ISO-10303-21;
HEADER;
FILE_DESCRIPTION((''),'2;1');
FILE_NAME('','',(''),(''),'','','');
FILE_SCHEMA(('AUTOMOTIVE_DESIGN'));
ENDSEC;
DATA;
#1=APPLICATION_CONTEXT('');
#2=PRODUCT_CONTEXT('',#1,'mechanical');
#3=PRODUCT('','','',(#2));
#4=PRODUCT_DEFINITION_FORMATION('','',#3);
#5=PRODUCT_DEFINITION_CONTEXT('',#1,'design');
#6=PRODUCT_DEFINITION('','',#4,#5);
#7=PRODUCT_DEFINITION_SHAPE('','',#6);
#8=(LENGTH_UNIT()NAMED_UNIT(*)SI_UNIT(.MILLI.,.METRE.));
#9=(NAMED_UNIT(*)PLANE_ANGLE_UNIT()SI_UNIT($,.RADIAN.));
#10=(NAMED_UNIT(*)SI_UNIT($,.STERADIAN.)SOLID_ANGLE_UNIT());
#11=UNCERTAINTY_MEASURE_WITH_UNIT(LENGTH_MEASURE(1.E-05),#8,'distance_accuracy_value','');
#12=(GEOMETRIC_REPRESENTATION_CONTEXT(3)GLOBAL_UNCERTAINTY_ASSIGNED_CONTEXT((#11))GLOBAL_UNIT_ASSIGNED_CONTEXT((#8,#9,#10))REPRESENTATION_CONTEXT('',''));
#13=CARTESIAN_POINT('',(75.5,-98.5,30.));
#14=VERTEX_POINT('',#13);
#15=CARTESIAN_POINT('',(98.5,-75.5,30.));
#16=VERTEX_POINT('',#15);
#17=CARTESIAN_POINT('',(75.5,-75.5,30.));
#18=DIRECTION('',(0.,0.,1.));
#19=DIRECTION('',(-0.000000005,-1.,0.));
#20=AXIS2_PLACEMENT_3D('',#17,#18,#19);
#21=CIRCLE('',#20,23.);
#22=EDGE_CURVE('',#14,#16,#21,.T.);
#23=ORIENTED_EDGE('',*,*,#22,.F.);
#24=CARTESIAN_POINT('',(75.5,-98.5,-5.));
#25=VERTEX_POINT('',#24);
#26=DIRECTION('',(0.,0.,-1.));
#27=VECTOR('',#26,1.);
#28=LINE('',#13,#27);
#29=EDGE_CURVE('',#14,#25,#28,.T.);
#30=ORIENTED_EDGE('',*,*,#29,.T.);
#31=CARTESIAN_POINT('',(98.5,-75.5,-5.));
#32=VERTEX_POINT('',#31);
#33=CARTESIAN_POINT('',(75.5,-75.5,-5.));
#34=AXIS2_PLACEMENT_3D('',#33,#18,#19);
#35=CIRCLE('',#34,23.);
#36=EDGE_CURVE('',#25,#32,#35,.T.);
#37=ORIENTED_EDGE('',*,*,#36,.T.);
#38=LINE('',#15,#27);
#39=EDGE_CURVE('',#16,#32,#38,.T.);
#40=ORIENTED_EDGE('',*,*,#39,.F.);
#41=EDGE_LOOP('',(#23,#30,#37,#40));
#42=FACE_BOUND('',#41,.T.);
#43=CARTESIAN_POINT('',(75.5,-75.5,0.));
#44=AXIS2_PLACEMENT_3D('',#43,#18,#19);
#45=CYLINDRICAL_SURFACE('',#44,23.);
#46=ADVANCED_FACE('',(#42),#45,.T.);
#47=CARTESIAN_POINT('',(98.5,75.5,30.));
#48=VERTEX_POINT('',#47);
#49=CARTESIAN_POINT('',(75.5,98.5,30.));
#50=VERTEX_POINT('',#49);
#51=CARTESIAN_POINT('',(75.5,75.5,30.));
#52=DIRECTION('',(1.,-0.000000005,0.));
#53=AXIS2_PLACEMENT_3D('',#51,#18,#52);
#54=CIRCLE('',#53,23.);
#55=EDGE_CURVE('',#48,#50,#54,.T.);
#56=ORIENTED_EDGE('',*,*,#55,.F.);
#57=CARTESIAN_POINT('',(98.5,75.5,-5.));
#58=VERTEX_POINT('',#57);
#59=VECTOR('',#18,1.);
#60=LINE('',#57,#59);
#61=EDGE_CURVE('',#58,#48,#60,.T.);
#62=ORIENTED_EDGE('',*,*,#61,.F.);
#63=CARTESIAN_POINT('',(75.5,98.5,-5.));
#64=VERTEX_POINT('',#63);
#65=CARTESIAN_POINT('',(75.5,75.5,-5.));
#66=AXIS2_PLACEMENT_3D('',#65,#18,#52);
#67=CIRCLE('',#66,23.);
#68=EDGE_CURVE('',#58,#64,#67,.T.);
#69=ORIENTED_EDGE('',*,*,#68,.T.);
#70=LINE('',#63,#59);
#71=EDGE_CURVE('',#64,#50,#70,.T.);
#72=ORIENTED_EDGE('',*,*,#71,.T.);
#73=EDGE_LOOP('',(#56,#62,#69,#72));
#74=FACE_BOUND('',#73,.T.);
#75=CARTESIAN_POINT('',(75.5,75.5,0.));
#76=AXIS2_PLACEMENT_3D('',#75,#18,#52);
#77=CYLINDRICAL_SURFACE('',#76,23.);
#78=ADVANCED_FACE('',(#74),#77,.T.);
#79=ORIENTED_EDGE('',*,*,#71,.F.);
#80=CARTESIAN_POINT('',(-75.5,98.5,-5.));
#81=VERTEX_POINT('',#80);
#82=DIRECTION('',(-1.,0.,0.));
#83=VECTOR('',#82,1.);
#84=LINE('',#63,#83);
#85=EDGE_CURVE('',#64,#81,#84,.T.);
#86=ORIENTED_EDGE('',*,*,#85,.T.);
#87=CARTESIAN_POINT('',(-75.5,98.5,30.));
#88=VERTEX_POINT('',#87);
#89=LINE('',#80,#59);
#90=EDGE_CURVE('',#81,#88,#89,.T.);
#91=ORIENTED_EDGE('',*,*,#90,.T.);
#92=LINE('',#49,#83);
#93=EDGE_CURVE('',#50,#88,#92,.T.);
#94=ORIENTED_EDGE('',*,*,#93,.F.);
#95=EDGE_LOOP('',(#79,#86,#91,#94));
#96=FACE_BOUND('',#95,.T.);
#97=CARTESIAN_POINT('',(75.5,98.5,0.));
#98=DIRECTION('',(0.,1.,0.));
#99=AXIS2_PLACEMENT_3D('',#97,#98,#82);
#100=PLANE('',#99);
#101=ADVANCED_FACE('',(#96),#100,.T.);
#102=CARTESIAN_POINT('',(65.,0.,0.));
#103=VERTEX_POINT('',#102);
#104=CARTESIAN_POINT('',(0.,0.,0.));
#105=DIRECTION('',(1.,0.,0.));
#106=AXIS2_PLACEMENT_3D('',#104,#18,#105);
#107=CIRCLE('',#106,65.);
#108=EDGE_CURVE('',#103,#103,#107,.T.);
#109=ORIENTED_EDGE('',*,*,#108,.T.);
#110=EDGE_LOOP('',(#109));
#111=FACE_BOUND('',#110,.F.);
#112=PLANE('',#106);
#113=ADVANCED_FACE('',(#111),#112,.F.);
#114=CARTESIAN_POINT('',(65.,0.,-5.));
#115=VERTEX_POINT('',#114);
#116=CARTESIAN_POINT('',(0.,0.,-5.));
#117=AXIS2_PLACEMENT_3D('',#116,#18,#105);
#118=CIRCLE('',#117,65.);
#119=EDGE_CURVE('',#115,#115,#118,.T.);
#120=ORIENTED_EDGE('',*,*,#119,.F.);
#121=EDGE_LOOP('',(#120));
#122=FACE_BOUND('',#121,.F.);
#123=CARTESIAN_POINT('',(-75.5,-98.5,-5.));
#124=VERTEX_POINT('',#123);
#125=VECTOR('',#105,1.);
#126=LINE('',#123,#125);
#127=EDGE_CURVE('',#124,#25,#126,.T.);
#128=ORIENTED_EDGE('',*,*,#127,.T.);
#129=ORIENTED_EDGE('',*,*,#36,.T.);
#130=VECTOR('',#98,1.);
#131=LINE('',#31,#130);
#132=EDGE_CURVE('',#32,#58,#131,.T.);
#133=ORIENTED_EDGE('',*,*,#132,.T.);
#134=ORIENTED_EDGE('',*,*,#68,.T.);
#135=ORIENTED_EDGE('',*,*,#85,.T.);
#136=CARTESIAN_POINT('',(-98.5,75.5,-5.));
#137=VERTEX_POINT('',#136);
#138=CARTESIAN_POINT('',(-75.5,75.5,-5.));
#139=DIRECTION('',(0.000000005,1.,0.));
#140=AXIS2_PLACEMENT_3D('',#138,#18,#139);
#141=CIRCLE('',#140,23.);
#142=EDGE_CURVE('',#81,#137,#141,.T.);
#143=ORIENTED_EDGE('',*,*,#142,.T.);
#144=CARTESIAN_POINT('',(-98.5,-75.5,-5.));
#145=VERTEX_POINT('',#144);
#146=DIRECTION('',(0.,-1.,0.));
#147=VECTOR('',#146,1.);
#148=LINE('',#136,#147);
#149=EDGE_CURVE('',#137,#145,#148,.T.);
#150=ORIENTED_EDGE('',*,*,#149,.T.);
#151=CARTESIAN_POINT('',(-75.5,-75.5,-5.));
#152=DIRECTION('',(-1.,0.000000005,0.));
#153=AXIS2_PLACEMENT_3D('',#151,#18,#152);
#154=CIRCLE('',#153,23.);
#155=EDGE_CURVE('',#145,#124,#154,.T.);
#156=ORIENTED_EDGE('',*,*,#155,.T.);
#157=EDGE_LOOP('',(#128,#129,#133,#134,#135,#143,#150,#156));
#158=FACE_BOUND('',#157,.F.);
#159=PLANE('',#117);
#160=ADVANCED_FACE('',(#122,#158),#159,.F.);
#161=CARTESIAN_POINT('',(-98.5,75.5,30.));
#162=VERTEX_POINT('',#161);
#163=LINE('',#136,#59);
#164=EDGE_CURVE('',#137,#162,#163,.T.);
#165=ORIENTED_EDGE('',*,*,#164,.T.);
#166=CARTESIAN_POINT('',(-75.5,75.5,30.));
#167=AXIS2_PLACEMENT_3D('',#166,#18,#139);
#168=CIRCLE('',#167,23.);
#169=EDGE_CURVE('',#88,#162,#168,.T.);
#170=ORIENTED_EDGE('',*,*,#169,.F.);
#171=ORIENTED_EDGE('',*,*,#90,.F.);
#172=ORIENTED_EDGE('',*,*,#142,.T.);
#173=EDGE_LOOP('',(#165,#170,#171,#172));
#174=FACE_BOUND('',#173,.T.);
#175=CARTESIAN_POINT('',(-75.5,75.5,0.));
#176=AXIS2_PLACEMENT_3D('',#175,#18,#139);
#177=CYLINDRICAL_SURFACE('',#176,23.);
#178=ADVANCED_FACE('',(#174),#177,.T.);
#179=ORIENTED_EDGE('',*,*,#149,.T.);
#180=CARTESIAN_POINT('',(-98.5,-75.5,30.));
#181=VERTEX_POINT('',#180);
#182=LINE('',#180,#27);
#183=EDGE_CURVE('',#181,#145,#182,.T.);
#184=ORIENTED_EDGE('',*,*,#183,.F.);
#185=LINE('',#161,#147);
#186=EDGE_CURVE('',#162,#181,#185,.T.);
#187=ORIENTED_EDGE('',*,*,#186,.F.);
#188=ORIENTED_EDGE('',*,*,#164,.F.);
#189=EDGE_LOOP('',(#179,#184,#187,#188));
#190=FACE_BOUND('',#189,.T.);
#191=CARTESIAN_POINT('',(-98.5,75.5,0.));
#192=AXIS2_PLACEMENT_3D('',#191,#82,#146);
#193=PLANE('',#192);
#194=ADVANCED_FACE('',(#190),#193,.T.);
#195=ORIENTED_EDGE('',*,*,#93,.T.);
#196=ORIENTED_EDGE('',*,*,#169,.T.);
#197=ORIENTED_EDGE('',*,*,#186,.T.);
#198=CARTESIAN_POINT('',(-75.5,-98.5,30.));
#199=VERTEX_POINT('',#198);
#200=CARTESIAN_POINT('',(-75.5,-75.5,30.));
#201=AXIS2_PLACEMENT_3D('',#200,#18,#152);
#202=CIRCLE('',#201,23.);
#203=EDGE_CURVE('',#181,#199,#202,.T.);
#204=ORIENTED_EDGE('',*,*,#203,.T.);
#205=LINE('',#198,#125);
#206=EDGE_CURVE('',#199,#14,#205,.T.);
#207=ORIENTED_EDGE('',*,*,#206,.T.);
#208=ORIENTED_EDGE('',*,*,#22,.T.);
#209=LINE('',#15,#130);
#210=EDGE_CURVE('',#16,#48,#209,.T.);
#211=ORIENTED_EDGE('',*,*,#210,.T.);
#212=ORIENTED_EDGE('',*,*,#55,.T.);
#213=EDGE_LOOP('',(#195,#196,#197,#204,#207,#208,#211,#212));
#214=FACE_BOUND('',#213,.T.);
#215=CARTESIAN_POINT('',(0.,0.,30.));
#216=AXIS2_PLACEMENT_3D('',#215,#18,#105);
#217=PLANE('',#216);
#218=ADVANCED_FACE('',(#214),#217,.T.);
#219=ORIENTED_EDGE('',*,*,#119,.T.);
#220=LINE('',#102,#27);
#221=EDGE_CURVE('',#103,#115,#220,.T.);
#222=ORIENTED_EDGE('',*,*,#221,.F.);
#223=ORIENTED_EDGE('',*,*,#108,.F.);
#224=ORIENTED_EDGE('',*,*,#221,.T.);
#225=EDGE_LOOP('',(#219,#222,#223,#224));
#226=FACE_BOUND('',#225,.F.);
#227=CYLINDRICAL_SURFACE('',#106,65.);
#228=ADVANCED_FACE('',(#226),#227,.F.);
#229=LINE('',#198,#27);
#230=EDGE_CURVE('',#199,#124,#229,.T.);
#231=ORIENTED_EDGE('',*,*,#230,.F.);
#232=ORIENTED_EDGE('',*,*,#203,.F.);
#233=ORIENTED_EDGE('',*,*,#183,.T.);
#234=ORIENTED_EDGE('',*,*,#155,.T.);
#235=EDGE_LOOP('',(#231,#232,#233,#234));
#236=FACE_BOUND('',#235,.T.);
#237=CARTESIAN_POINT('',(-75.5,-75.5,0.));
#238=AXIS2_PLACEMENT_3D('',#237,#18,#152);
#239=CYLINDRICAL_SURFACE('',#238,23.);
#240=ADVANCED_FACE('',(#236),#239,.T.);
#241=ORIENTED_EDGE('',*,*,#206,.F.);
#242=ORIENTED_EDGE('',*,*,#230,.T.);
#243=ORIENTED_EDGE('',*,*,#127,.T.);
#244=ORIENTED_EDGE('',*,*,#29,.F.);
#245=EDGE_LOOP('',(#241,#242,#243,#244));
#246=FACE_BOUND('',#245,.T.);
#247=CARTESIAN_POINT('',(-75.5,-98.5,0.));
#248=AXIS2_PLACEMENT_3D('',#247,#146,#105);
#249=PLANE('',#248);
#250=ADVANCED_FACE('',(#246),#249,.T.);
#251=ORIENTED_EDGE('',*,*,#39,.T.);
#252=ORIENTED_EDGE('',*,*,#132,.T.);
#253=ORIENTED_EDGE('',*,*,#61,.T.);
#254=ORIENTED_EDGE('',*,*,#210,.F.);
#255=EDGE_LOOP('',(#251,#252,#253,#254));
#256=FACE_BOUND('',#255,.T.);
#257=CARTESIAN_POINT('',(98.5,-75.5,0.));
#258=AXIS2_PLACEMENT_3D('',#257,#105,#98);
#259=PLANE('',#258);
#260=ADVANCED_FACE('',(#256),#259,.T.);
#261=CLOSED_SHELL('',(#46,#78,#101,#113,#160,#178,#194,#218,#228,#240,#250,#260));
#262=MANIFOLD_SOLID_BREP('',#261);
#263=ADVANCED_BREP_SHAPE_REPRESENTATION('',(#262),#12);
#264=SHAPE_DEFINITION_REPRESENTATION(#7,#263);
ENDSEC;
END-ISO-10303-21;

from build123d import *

# Parameters (mm, degrees)
F1_DEPTH = 30
F2_R     = 75
F2_R_2   = 65
F3_DEPTH = 5


with BuildPart() as f1:
    # F0 (on Top) → F1 (new body)
    with BuildSketch(Plane.XY):
        with BuildLine():
            ThreePointArc((98.5, 75.5), (91.763456, 91.763456), (75.5, 98.5))
            Line((75.5, 98.5), (-75.5, 98.5))
            ThreePointArc((-75.5, 98.5), (-91.763456, 91.763456), (-98.5, 75.5))
            Line((-98.5, 75.5), (-98.5, -75.5))
            ThreePointArc((-98.5, -75.5), (-91.763456, -91.763456), (-75.5, -98.5))
            Line((-75.5, -98.5), (75.5, -98.5))
            ThreePointArc((75.5, -98.5), (91.763456, -91.763456), (98.5, -75.5))
            Line((98.5, -75.5), (98.5, 75.5))
        make_face()
    extrude(amount=F1_DEPTH)

    # F2 (on face) → F3 (join)
    with BuildSketch(Plane.XY):
        with BuildLine():
            Line((98.5, -75.5), (98.5, 75.5))
            ThreePointArc((98.5, 75.5), (91.763456, 91.763456), (75.5, 98.5))
            Line((75.5, 98.5), (-75.5, 98.5))
            ThreePointArc((-75.5, 98.5), (-91.763456, 91.763456), (-98.5, 75.5))
            Line((-98.5, 75.5), (-98.5, -75.5))
            ThreePointArc((-98.5, -75.5), (-91.763456, -91.763456), (-75.5, -98.5))
            Line((-75.5, -98.5), (75.5, -98.5))
            ThreePointArc((75.5, -98.5), (91.763456, -91.763456), (98.5, -75.5))
        make_face()
        Circle(F2_R, mode=Mode.SUBTRACT)
        Circle(F2_R)
        Circle(F2_R_2, mode=Mode.SUBTRACT)
    extrude(amount=-F3_DEPTH)


solid = f1.part
